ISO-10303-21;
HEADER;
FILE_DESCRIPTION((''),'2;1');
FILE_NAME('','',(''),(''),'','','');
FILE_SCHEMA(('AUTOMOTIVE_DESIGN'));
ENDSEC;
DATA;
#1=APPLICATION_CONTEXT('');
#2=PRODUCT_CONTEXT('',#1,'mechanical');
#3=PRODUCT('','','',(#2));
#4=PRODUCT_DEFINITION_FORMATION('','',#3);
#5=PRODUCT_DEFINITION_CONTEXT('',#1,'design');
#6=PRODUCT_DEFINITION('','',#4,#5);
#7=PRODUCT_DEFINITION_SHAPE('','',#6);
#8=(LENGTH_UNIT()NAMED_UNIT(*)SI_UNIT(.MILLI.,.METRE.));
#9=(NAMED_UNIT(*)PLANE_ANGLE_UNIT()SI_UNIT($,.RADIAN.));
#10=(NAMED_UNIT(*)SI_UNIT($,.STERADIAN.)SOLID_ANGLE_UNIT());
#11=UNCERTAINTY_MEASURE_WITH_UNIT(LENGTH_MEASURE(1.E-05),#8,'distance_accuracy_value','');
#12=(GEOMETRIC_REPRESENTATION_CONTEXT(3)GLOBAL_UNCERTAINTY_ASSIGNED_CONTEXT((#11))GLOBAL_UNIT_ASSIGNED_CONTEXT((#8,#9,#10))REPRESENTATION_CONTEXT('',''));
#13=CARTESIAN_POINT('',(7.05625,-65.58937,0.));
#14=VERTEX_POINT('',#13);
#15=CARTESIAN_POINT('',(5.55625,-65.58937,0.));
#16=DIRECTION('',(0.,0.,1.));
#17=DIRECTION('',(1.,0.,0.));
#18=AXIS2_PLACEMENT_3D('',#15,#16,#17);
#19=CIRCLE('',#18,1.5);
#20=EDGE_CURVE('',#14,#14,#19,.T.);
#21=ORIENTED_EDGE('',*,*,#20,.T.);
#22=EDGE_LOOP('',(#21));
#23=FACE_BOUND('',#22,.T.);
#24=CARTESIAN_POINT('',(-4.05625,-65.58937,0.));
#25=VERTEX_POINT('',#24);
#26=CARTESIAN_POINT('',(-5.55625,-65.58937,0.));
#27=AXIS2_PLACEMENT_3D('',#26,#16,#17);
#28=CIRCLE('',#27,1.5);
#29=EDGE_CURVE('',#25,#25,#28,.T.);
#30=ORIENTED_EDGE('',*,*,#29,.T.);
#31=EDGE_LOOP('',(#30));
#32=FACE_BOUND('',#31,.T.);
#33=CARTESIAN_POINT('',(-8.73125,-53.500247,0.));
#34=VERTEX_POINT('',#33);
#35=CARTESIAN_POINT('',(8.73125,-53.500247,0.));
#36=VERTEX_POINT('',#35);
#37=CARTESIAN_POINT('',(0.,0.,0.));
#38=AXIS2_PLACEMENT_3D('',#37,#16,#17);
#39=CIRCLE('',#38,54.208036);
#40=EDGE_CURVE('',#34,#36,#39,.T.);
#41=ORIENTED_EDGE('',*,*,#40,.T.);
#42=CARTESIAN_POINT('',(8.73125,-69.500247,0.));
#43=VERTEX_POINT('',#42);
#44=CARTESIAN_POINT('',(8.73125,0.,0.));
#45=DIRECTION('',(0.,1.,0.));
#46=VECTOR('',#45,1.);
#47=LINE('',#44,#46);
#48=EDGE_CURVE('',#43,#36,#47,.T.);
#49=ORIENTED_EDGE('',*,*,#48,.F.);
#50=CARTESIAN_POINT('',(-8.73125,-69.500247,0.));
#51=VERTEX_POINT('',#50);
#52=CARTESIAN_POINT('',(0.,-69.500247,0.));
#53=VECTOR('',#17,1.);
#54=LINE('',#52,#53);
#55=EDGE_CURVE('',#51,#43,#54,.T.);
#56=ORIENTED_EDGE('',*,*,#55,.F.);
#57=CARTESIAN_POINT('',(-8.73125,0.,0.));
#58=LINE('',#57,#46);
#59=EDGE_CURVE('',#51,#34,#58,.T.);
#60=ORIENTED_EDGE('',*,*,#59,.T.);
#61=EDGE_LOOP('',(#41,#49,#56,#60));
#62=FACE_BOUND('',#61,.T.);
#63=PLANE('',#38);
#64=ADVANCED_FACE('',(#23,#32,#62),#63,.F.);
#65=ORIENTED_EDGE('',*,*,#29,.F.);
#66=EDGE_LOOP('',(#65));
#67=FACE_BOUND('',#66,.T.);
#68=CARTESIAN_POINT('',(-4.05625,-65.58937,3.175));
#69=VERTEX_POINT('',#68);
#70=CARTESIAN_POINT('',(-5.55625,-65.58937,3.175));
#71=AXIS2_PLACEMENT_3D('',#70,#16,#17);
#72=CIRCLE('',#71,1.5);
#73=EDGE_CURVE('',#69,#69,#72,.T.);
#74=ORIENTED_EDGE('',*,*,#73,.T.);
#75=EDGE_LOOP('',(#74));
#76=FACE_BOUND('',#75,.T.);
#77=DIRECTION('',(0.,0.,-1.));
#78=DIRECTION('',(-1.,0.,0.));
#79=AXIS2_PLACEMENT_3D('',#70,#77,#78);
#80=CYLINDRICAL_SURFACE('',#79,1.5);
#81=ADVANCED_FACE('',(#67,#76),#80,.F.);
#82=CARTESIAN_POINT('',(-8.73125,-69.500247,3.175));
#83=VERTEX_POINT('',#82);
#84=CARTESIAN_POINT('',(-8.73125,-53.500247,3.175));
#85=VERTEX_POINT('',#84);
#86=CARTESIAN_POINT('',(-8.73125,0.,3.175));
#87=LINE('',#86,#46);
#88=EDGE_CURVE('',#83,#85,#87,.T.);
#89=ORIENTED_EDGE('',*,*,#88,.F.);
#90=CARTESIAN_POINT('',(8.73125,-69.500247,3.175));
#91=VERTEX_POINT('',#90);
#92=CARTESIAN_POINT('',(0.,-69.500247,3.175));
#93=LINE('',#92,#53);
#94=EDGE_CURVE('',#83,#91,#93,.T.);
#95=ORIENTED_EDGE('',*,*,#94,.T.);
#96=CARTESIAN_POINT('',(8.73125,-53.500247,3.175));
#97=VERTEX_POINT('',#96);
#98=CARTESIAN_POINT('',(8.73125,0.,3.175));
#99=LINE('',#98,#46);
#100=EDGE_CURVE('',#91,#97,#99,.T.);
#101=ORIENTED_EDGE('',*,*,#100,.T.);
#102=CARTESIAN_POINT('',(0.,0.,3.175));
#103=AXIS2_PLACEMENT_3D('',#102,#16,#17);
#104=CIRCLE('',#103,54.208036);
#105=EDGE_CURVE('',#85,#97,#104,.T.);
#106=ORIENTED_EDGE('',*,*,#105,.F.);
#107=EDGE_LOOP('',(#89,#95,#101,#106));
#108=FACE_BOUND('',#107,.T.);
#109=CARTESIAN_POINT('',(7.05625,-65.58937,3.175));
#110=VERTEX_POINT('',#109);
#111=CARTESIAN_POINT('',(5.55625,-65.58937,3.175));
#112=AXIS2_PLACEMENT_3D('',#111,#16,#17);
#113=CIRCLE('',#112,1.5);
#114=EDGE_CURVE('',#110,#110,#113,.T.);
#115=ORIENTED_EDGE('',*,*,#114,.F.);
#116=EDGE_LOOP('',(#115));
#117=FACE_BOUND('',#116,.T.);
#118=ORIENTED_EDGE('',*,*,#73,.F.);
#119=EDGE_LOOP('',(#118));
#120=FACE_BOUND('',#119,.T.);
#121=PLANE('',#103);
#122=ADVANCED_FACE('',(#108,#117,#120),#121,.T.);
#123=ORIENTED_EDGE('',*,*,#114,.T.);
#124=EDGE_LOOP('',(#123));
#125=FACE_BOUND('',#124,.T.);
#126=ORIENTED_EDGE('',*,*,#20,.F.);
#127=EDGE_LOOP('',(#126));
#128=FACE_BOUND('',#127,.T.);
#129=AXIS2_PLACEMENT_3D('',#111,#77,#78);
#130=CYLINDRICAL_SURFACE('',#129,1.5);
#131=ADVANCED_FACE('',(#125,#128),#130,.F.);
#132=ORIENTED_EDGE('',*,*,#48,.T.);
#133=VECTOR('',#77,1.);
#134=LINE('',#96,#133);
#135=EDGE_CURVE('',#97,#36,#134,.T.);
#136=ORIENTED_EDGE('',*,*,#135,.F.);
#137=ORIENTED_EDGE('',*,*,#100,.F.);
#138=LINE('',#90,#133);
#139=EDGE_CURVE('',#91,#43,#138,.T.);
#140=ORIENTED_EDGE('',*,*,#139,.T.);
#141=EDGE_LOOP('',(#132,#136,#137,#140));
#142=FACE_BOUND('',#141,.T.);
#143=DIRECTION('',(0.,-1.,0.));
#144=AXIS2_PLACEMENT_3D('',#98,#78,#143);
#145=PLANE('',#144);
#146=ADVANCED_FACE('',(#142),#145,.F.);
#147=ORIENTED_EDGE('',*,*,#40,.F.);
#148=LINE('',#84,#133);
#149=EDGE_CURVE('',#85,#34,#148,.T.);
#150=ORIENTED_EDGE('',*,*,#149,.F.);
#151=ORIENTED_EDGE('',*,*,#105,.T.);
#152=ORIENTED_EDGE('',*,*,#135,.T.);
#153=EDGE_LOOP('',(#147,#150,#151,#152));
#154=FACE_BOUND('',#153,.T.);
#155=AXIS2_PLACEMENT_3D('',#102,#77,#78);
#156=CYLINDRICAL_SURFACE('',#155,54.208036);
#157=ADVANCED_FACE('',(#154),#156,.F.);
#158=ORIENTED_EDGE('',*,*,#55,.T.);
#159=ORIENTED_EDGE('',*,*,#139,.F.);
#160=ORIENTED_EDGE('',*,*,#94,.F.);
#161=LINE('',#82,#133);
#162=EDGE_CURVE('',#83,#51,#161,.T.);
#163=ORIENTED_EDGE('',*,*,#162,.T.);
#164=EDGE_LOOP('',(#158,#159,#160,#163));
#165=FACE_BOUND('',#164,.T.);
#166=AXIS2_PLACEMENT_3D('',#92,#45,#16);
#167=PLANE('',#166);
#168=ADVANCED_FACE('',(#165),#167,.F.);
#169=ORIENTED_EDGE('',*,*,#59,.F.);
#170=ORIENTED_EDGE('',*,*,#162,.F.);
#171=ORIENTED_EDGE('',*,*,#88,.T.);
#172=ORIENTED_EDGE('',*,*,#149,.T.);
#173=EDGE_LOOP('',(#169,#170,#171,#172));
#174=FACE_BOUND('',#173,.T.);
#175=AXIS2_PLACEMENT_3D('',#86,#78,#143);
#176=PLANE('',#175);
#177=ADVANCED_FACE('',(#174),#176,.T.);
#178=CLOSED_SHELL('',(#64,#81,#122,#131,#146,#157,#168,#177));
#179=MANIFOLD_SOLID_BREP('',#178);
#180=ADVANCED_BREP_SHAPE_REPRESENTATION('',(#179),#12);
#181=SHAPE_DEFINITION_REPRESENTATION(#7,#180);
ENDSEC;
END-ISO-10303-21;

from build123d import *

# Parameters (mm, degrees)
SKETCH1_R           = 1.5
BOSS_EXTRUDE1_DEPTH = 3.175


with BuildPart() as part:
    # Sketch1 → Boss-Extrude1 (new body)
    with BuildSketch(Plane.XY):
        with BuildLine():
            Line((-8.73125, -69.500247016), (0, -69.500247016))
            Line((0, -69.500247016), (8.73125, -69.500247016))
            Line((8.73125, -69.500247016), (8.73125, -53.500247016))
            ThreePointArc((8.73125, -53.500247016), (0, -54.208035911), (-8.73125, -53.500247016))
            Line((-8.73125, -53.500247016), (-8.73125, -69.500247016))
        make_face()
        with Locations((-5.55625, -65.589370266)):
            Circle(SKETCH1_R, mode=Mode.SUBTRACT)
        with BuildLine():
            ThreePointArc((7.05625, -65.589370266), (5.55625, -67.089370266), (4.05625, -65.589370266))
            ThreePointArc((4.05625, -65.589370266), (5.55625, -64.089370266), (7.05625, -65.589370266))
        make_face(mode=Mode.SUBTRACT)
    extrude(amount=BOSS_EXTRUDE1_DEPTH)


solid = part.part
